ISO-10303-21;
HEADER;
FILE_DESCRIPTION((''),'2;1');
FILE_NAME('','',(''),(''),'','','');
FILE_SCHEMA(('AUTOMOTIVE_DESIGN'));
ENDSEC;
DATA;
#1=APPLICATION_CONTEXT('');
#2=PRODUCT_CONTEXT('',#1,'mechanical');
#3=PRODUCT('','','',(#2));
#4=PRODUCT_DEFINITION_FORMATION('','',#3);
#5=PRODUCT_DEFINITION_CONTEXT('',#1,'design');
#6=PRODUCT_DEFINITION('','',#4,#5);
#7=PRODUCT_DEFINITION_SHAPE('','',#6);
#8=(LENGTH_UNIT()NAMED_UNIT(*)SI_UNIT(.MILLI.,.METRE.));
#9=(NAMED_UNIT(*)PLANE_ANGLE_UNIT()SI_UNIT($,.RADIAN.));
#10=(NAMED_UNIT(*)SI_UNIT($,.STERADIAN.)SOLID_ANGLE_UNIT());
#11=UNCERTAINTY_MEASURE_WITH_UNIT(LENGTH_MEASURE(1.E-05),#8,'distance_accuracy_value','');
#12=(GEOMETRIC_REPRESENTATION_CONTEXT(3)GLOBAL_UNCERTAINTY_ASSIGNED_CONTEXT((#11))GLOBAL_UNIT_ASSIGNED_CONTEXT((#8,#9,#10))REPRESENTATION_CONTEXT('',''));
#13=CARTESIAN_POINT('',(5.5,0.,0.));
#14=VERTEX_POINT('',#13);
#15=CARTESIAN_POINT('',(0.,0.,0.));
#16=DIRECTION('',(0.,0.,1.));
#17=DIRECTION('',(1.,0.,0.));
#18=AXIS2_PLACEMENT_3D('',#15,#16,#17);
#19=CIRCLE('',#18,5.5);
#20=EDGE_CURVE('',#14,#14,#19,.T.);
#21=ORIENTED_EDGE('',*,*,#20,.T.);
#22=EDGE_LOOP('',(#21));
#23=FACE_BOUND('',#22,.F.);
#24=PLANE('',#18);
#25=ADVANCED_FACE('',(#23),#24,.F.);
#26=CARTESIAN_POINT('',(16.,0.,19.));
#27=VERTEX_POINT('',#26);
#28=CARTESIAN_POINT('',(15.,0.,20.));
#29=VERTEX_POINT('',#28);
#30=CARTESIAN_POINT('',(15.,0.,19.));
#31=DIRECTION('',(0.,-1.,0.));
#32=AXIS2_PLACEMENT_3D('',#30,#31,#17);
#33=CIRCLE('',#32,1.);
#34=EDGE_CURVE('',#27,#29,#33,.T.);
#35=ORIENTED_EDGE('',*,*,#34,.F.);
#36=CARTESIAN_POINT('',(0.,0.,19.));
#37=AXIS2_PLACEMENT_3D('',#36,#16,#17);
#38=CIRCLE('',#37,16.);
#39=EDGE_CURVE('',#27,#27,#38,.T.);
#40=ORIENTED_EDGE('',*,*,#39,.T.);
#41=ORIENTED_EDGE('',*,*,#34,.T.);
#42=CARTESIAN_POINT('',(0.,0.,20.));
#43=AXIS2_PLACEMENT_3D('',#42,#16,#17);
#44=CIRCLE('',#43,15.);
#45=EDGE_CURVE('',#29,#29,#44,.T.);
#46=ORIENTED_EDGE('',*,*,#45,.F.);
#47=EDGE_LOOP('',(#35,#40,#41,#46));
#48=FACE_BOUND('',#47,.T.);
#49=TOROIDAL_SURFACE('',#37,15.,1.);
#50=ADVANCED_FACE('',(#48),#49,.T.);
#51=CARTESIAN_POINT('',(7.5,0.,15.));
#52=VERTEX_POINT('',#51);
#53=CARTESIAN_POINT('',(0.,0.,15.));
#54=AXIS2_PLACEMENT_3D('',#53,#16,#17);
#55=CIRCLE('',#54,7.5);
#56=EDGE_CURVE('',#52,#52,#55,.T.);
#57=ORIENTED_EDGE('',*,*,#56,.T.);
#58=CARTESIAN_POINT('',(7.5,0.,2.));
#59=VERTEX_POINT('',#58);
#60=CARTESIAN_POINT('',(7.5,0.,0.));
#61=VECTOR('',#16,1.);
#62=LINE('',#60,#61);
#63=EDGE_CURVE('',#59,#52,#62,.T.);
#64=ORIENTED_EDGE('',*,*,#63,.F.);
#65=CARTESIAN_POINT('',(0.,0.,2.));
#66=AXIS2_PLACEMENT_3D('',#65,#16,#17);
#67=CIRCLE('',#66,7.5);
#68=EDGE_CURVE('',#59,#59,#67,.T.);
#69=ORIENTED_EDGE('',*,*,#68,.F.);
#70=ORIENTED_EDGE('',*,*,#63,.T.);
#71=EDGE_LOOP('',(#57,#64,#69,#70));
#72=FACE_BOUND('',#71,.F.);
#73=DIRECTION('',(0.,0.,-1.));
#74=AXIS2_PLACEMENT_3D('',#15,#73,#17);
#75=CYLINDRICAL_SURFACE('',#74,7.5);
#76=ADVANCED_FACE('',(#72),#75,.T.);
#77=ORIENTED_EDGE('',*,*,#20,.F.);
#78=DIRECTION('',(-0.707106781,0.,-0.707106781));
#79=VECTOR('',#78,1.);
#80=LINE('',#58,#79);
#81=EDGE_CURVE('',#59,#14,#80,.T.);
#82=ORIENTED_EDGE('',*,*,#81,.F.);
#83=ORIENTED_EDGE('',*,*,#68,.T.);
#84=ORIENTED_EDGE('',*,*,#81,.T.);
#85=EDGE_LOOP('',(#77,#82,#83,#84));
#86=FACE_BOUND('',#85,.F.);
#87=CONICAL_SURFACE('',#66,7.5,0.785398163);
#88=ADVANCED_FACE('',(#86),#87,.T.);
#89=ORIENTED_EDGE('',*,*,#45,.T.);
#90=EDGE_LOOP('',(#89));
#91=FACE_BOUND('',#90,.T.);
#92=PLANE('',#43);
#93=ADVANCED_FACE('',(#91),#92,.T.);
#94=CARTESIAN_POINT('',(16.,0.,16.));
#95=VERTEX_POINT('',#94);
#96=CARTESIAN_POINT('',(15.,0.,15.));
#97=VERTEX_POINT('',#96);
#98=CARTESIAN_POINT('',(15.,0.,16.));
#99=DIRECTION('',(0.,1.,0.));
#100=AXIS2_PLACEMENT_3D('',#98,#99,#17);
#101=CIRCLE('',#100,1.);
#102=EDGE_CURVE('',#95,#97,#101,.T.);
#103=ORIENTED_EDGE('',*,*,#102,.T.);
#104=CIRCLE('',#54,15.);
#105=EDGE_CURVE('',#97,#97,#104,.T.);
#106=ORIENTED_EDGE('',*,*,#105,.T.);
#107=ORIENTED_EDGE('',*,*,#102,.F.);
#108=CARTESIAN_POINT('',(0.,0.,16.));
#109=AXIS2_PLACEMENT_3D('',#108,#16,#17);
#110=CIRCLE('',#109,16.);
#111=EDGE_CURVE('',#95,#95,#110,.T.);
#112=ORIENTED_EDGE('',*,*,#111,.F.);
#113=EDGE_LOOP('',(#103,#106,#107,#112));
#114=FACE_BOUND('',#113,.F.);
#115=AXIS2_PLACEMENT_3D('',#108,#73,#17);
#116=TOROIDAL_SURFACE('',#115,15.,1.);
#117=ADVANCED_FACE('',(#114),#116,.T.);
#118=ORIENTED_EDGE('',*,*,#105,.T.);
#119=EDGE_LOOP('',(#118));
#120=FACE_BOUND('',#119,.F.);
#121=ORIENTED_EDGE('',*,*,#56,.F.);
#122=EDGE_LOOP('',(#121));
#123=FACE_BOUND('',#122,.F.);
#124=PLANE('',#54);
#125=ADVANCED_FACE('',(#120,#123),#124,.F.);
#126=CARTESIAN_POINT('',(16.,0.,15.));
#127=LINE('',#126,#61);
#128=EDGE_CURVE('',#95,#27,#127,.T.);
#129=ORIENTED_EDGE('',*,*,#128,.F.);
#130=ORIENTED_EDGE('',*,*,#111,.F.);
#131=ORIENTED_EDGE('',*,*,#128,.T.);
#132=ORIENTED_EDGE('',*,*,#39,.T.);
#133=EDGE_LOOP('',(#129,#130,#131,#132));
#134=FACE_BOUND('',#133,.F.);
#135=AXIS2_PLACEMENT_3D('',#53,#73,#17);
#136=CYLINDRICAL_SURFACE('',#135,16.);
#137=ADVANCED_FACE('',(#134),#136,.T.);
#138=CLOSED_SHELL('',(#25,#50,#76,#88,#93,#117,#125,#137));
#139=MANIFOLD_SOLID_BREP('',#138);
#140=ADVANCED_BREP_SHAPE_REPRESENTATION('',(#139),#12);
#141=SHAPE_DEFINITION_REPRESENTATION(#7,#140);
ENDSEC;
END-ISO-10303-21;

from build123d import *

# Parameters (mm, degrees)
F0_R     = 7.5
F1_DEPTH = 15
F2_R     = 16
F3_DEPTH = 5
F4_R     = 1
F5_SIZE  = 2


with BuildPart() as f1:
    # F0 (on Top) → F1 (new body)
    with BuildSketch(Plane.XY):
        Circle(F0_R)
    extrude(amount=F1_DEPTH)

    # F2 (on face) → F3 (join)
    with BuildSketch(Plane.XY.offset(15)):
        Circle(F2_R)
    extrude(amount=F3_DEPTH)

    # F4
    f4_edges = [f1.edges().sort_by_distance(p)[0] for p in [
        (-16, 0, 20),
        (-16, 0, 15),
    ]]
    fillet(f4_edges, radius=F4_R)

    # F5
    f5_edges = [f1.edges().sort_by_distance(p)[0] for p in [
        (-7.5, 0, 0),
    ]]
    chamfer(f5_edges, length=F5_SIZE)


solid = f1.part
